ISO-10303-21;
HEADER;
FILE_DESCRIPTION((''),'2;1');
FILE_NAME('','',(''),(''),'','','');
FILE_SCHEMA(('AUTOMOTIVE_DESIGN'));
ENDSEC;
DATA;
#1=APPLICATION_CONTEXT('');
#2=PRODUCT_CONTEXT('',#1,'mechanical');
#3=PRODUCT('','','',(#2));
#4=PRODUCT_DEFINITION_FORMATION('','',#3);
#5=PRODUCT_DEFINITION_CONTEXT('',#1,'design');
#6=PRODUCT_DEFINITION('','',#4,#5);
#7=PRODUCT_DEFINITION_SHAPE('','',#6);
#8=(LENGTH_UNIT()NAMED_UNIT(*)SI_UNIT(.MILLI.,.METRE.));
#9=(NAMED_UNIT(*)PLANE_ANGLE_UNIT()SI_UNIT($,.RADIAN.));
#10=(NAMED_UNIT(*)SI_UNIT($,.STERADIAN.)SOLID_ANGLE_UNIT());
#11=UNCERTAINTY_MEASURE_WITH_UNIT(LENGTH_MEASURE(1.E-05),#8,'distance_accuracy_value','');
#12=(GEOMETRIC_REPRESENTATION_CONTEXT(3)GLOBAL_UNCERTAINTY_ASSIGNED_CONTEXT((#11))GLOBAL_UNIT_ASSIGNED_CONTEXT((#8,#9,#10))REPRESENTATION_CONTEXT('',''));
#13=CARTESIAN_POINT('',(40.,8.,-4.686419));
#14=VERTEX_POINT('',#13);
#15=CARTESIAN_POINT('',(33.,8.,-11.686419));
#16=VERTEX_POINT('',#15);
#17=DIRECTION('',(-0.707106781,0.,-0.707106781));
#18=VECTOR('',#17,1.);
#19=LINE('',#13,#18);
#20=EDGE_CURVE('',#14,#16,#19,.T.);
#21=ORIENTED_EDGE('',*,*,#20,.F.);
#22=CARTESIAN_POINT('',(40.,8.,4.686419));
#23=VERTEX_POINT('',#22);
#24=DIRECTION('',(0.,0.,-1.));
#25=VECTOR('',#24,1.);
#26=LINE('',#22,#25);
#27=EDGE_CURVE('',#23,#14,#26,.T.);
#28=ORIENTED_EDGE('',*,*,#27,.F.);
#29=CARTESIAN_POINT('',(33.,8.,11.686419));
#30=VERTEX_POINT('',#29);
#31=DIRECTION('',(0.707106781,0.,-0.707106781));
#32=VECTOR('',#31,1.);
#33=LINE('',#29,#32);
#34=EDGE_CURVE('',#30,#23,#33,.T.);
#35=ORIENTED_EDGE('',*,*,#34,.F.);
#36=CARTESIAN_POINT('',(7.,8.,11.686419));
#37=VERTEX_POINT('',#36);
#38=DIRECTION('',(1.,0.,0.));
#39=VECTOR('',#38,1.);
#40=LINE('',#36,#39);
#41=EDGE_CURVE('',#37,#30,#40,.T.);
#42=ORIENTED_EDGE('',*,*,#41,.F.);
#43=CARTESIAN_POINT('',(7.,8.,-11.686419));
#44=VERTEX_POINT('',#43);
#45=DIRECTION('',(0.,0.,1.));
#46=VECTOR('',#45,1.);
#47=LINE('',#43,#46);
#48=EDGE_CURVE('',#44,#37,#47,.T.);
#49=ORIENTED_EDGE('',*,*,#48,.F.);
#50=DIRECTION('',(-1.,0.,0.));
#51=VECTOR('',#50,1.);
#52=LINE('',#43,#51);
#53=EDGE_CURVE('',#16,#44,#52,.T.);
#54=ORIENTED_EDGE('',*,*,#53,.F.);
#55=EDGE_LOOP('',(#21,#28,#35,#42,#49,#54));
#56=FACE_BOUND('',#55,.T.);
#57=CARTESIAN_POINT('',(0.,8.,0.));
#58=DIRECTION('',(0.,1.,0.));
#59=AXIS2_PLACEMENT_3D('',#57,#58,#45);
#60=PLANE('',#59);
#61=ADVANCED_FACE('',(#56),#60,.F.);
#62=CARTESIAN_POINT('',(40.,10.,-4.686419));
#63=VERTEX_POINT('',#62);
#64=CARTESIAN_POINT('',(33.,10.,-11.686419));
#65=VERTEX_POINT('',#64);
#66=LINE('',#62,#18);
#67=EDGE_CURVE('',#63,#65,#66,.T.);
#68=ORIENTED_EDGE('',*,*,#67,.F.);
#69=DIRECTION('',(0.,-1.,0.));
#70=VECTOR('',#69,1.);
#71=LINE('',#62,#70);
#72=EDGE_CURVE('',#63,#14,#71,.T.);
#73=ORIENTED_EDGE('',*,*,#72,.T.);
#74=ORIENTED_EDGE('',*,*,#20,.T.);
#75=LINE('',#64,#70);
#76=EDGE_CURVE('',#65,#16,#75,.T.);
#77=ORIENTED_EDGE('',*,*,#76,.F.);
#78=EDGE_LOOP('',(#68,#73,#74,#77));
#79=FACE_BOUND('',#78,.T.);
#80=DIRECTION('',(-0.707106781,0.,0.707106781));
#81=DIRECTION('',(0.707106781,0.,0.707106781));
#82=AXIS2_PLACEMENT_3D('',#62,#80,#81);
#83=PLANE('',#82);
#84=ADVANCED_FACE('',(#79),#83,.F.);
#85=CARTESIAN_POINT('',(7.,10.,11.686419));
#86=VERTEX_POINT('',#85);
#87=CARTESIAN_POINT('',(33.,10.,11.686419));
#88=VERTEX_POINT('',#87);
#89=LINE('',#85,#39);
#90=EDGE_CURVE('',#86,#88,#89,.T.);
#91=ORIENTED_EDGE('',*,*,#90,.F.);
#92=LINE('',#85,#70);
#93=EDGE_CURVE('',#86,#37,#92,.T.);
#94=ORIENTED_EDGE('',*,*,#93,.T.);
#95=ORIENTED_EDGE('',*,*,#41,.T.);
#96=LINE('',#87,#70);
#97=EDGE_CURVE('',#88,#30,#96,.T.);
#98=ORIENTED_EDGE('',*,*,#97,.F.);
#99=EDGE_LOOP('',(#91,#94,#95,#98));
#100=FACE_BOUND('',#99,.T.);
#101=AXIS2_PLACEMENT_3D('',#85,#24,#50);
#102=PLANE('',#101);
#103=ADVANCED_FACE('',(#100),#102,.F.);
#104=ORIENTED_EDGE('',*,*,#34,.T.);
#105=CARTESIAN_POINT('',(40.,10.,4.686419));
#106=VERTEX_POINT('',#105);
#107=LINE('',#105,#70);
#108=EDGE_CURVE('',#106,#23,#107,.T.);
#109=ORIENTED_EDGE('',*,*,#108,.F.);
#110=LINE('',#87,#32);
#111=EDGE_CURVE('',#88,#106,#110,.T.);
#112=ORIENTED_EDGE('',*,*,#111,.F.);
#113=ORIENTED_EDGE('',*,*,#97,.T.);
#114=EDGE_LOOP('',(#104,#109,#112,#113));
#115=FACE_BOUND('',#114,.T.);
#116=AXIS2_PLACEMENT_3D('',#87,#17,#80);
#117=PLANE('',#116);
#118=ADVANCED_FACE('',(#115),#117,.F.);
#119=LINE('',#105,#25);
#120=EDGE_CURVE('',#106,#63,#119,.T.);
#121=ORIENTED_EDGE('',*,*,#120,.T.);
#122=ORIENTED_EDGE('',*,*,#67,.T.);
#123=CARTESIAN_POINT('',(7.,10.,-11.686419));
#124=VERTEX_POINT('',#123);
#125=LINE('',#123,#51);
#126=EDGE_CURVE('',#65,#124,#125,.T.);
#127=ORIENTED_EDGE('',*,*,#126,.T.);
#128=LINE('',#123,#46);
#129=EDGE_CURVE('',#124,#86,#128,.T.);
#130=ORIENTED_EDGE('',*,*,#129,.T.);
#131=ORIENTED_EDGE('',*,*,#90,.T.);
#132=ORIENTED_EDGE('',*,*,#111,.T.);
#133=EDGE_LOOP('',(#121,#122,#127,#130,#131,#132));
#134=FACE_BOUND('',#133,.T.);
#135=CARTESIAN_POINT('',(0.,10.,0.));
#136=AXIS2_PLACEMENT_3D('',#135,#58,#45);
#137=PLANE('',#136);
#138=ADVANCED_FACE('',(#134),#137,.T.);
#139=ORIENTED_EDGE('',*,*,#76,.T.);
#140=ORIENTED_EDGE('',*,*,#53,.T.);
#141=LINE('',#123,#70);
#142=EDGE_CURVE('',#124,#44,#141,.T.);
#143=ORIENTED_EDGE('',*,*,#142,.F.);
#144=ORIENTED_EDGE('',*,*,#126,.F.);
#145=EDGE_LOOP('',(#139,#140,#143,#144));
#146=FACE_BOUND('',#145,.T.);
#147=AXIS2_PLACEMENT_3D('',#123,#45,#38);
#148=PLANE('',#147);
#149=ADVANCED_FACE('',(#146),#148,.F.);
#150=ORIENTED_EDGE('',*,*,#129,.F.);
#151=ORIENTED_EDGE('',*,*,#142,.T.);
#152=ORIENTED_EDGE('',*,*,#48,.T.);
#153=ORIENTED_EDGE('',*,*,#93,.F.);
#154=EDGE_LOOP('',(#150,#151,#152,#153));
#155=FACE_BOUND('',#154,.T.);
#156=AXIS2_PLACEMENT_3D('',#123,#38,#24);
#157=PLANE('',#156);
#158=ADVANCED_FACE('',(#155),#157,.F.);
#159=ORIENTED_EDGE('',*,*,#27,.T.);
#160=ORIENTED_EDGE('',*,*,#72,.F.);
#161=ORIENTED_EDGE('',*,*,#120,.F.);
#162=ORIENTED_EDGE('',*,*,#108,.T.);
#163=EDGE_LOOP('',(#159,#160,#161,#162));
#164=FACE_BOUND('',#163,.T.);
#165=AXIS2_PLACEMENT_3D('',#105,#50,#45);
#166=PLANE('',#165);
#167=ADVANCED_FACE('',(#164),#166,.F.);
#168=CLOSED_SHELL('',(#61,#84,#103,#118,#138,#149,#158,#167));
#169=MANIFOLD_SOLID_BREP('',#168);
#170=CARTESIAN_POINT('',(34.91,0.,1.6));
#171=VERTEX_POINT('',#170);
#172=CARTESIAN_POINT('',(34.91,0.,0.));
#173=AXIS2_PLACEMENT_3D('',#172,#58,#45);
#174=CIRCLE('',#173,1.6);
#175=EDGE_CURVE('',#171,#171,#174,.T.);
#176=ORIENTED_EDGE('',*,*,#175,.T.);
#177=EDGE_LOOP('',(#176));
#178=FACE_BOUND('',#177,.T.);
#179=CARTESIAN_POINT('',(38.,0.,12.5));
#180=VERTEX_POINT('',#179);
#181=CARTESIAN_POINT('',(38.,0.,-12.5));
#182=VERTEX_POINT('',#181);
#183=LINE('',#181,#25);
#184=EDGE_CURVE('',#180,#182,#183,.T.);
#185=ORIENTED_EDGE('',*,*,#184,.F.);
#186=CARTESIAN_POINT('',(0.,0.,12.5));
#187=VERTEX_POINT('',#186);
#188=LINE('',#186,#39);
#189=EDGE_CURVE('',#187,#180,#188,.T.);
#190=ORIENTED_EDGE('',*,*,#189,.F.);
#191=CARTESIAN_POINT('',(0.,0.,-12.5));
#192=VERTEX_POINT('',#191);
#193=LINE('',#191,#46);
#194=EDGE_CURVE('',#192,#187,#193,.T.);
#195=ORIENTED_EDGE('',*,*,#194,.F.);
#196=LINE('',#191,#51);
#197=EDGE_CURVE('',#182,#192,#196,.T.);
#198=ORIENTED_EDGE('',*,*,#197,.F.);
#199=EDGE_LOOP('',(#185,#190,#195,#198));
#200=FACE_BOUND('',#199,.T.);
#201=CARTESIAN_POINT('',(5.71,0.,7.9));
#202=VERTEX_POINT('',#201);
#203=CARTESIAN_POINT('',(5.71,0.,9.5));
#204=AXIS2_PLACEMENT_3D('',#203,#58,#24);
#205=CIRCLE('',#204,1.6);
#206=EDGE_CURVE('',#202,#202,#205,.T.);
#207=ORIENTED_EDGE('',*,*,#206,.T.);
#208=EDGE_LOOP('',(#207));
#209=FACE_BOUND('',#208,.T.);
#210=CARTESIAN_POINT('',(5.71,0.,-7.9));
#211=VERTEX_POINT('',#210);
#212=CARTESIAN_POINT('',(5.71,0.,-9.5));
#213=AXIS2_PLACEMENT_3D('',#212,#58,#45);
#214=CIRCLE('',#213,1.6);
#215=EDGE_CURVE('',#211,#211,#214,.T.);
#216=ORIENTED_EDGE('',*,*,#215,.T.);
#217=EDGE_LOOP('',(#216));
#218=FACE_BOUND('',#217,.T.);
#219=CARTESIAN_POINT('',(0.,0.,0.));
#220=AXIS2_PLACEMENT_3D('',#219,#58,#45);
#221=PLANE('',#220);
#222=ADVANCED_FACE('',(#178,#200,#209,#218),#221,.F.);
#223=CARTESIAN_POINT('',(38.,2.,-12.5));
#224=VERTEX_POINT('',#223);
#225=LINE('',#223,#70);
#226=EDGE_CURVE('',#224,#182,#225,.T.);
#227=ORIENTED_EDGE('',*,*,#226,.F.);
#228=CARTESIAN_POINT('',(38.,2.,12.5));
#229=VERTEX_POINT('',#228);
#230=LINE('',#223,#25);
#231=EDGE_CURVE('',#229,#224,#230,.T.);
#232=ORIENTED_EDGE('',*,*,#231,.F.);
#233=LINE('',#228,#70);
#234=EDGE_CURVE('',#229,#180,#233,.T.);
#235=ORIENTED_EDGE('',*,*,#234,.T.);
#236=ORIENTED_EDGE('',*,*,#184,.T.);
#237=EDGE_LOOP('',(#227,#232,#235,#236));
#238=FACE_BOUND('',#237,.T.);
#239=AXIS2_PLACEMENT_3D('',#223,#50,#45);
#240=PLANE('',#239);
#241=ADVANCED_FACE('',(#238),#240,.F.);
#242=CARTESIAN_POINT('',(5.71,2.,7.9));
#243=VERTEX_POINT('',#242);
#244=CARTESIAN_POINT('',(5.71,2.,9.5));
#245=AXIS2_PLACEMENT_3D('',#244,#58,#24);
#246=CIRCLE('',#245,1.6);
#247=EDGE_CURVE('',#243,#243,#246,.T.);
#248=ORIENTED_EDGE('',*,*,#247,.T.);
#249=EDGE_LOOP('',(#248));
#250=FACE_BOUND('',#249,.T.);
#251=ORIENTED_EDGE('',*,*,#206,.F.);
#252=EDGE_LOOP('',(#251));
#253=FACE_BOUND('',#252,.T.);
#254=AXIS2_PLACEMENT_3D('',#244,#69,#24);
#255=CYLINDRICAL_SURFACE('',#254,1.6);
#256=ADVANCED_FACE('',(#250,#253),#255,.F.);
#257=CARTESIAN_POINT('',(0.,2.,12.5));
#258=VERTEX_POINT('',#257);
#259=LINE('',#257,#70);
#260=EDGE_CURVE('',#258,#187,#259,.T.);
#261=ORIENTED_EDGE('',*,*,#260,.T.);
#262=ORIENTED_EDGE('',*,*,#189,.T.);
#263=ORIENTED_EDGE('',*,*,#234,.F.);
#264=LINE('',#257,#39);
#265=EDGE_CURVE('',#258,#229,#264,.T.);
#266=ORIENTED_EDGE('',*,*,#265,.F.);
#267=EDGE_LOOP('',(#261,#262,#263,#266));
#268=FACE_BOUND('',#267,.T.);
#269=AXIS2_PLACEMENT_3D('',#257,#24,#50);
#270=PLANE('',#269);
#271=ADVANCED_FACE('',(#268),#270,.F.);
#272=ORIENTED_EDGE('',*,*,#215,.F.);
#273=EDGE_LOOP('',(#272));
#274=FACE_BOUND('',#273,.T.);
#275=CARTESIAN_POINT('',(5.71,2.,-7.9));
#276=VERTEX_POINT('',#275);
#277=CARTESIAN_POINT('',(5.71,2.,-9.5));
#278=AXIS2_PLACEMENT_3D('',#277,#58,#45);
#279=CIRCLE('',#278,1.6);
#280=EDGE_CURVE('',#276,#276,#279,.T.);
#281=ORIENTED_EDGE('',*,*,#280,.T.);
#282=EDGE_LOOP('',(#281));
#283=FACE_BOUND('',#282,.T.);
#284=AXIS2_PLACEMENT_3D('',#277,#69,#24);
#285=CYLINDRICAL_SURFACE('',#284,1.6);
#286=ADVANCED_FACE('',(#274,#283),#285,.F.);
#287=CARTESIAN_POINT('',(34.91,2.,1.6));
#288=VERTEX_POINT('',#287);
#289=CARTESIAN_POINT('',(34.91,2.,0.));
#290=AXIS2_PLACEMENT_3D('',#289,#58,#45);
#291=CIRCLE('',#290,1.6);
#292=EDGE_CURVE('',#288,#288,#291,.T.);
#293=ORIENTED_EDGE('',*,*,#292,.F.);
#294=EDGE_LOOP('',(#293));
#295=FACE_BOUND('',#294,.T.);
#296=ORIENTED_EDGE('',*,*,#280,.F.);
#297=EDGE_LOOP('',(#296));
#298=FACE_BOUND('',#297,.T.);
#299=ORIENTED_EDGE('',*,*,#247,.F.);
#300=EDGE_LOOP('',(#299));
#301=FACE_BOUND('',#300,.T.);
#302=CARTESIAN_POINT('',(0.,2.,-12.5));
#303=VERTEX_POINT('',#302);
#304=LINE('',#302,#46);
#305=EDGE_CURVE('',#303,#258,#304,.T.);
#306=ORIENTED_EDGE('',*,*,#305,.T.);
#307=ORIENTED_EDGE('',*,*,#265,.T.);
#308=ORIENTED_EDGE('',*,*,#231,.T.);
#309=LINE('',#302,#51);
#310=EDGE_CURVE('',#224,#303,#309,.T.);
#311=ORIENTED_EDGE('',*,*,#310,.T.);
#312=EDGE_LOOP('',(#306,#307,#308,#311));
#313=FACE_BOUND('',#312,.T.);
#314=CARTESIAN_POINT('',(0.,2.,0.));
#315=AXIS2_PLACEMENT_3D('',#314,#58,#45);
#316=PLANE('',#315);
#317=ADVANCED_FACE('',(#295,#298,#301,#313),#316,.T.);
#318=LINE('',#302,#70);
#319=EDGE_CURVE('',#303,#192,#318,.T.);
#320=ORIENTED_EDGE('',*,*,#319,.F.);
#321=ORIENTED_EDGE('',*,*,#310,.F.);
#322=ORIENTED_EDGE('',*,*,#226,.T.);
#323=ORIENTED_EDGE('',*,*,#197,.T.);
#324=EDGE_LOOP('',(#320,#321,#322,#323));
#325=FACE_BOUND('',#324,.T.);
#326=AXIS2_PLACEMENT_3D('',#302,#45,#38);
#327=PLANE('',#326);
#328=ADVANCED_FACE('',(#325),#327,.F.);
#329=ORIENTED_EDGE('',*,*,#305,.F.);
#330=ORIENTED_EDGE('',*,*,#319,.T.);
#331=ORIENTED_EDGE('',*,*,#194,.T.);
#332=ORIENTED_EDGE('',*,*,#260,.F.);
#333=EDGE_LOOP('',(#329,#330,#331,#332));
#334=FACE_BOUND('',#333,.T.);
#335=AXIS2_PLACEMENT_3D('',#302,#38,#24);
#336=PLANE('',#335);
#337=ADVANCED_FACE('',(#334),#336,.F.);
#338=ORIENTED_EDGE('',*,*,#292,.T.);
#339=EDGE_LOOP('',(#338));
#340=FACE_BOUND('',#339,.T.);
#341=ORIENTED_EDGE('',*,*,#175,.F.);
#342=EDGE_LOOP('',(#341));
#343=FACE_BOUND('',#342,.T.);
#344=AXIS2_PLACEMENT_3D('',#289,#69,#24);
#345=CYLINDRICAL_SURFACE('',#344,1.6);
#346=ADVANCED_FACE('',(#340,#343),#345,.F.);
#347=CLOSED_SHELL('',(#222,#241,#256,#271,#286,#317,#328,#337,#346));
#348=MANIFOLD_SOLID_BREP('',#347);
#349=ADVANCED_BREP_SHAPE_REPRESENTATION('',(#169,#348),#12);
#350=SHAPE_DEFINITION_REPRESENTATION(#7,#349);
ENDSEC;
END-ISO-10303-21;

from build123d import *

# Parameters (mm, degrees)
SKETCH1_W           = 38
SKETCH1_H           = 25
SKETCH1_R           = 1.6
BOSS_EXTRUDE1_DEPTH = 2
BOSS_EXTRUDE2_START = 6
BOSS_EXTRUDE2_DEPTH = 2


with BuildPart() as part:
    # Sketch1 → Boss-Extrude1 (new body)
    with BuildSketch(Plane(origin=(0, 0, 0), x_dir=(1, 0, 0), z_dir=(0, 1, 0))):
        with Locations((19, 0)):
            Rectangle(SKETCH1_W, SKETCH1_H)
        with Locations(Location((5.71, 9.5, 0), (0, 0, 270))):
            Circle(SKETCH1_R, mode=Mode.SUBTRACT)
        with Locations(Location((5.71, -9.5, 0), (0, 0, 90))):
            Circle(SKETCH1_R, mode=Mode.SUBTRACT)
        with Locations(Location((34.91, 0, 0), (0, 0, 270))):
            Circle(SKETCH1_R, mode=Mode.SUBTRACT)
    extrude(amount=BOSS_EXTRUDE1_DEPTH)


with BuildPart() as body_2:
    # Sketch2 → Boss-Extrude2 (new body)
    with BuildSketch(Plane(origin=(0, 2, 0), x_dir=(1, 0, 0), z_dir=(0, 1, 0)).offset(BOSS_EXTRUDE2_START)):
        Polygon((33, -11.686418873), (40, -4.686418873), (40, 4.686418873), (33, 11.686418873), (7, 11.686418873), (7, -11.686418873), align=None)
    extrude(amount=BOSS_EXTRUDE2_DEPTH)


solid = Compound([part.part, body_2.part])
